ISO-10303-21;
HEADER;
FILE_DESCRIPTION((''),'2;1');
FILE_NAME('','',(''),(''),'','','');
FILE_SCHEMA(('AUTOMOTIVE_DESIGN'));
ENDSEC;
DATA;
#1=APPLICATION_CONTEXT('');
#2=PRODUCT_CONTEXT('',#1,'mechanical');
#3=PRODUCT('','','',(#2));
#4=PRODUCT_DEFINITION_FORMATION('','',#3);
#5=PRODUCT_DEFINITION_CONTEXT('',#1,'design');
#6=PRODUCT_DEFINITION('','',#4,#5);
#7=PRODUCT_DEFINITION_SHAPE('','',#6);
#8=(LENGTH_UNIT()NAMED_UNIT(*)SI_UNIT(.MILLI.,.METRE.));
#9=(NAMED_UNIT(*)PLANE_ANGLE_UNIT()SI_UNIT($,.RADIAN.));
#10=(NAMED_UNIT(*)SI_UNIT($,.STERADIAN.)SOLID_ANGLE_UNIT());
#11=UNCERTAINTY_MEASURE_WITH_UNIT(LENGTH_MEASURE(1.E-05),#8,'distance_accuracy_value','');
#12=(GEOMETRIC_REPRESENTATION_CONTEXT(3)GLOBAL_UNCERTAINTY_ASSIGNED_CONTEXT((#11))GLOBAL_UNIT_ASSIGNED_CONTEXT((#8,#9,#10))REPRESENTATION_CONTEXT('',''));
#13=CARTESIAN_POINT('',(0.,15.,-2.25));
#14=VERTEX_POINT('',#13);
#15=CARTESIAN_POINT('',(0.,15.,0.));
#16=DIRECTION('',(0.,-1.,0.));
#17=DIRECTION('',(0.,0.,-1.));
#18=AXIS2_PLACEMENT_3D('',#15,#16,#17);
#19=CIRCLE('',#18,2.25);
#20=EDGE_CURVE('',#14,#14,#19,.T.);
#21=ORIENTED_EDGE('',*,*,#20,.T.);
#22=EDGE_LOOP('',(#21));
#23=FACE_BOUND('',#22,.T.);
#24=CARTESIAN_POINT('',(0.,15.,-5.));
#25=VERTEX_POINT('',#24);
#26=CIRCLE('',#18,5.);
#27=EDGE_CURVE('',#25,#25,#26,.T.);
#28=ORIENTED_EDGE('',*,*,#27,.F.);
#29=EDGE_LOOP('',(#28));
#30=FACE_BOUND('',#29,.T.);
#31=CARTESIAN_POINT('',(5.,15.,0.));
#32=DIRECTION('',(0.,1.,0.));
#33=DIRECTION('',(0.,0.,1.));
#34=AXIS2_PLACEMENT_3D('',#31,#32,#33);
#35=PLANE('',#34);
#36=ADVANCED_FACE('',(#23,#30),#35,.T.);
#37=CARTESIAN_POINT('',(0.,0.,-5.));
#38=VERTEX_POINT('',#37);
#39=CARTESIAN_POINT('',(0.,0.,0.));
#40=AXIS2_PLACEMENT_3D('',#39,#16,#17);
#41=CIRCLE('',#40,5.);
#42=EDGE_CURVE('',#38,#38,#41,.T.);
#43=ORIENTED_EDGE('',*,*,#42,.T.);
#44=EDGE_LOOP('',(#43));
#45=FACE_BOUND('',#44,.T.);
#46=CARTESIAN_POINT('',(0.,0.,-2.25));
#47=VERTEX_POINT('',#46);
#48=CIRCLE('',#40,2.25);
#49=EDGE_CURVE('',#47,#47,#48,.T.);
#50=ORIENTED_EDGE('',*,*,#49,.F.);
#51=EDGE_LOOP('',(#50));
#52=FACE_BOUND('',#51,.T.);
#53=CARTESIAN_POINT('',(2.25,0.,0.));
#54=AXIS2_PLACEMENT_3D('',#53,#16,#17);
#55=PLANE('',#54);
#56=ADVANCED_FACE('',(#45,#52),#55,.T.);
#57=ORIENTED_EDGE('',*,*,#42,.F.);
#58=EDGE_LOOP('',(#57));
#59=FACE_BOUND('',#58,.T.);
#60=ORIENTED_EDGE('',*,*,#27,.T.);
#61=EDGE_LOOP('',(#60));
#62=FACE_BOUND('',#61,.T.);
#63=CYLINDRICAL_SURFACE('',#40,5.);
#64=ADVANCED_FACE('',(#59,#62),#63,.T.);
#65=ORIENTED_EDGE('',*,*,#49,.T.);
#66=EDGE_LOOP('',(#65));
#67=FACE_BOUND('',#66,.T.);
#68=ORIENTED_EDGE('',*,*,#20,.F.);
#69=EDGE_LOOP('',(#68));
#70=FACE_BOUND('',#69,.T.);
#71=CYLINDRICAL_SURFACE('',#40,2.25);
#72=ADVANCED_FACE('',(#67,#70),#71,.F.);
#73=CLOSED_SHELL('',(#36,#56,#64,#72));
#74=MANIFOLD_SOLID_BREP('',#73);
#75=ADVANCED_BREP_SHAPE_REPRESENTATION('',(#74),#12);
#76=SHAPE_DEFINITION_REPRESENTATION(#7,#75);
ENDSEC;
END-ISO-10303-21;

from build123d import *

# Parameters (mm, degrees)
ESQUISSE1_W = 2.75
ESQUISSE1_H = 15


with BuildPart() as part:
    # Esquisse1 → Base-Révolution (revolve)
    with BuildSketch(Plane.XY, mode=Mode.PRIVATE) as base_r_volution_sk:
        with Locations((3.625, 7.5)):
            Rectangle(ESQUISSE1_W, ESQUISSE1_H)
    revolve(base_r_volution_sk.sketch.rotate(Axis((0, 0, 0), (0, 1, 0)), 90), axis=Axis((0, 0, 0), (0, 1, 0)))


solid = part.part
